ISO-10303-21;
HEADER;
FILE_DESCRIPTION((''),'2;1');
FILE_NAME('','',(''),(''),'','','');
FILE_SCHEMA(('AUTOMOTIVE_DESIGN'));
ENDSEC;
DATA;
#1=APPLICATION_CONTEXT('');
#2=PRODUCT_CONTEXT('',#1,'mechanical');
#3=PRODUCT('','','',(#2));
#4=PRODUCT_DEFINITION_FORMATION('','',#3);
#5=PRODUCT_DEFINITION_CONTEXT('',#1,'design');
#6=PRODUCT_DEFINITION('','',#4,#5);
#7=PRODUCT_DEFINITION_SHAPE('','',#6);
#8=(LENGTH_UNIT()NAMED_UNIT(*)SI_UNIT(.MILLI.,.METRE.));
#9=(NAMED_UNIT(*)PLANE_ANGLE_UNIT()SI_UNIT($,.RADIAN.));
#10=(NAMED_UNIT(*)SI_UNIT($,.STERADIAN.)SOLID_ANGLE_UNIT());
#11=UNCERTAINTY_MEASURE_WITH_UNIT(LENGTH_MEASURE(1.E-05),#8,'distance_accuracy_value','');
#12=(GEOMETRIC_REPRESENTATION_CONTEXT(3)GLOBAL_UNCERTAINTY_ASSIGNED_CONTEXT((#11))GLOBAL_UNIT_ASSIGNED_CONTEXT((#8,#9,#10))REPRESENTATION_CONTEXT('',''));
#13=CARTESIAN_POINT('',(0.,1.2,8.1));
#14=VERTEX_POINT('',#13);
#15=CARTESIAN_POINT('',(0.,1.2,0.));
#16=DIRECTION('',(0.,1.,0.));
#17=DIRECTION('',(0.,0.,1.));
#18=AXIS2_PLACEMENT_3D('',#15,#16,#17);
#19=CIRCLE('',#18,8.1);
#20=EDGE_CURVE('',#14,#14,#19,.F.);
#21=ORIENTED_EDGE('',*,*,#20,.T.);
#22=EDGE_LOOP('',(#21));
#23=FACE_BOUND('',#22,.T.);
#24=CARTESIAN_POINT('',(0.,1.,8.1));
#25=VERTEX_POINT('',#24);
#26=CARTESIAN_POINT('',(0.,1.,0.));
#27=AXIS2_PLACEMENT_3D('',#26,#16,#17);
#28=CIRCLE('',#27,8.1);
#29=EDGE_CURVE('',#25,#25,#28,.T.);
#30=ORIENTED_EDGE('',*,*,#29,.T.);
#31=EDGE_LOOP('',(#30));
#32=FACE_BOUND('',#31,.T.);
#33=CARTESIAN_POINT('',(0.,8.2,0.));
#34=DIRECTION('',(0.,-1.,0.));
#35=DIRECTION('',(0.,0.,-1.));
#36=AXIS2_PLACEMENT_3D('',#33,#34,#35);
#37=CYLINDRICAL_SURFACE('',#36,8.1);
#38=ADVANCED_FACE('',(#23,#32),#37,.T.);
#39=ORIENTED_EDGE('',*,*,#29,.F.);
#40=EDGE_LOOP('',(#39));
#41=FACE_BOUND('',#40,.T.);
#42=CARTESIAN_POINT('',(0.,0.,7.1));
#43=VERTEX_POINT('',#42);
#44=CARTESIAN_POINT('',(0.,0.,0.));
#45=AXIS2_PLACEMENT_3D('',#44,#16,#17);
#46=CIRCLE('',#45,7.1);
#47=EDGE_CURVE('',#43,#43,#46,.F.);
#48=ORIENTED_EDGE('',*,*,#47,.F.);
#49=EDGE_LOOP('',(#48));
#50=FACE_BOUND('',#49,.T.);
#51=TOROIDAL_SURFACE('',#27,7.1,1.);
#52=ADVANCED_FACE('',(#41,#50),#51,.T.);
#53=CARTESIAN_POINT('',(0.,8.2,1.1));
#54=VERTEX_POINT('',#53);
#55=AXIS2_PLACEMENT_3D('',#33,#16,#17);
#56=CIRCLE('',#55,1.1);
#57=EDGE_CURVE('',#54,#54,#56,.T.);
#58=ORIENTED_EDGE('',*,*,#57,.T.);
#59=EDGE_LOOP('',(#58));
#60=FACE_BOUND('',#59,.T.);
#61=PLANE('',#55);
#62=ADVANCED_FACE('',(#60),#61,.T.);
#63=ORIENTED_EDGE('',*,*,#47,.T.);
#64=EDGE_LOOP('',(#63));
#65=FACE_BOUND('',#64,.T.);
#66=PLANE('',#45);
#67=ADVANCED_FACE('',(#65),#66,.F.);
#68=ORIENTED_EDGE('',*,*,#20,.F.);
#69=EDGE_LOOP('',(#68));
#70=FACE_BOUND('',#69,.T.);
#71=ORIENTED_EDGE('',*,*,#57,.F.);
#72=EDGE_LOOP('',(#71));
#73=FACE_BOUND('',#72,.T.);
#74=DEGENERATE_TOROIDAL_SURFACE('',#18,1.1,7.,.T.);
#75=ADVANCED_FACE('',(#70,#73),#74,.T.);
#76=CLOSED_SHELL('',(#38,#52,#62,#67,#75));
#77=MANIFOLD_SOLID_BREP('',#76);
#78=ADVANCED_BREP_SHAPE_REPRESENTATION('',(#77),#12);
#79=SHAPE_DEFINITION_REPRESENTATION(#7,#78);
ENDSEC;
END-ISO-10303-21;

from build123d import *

# Parameters (mm, degrees)
SKETCH1_R           = 8.1
BOSS_EXTRUDE1_DEPTH = 8.2
FILLET2_R           = 7
FILLET3_R           = 1


with BuildPart() as part:
    # Sketch1 → Boss-Extrude1 (new body)
    with BuildSketch(Plane(origin=(0, 0, 0), x_dir=(1, 0, 0), z_dir=(0, 1, 0))):
        with Locations(Location((0, 0, 0), (0, 0, 270))):
            Circle(SKETCH1_R)
    extrude(amount=BOSS_EXTRUDE1_DEPTH)

    # Fillet2
    fillet2_edges = [part.edges().sort_by_distance(p)[0] for p in [
        (0, 8.2, -8.1),
    ]]
    fillet(fillet2_edges, radius=FILLET2_R)

    # Fillet3
    fillet3_edges = [part.edges().sort_by_distance(p)[0] for p in [
        (0, 0, -8.1),
    ]]
    fillet(fillet3_edges, radius=FILLET3_R)


solid = part.part
